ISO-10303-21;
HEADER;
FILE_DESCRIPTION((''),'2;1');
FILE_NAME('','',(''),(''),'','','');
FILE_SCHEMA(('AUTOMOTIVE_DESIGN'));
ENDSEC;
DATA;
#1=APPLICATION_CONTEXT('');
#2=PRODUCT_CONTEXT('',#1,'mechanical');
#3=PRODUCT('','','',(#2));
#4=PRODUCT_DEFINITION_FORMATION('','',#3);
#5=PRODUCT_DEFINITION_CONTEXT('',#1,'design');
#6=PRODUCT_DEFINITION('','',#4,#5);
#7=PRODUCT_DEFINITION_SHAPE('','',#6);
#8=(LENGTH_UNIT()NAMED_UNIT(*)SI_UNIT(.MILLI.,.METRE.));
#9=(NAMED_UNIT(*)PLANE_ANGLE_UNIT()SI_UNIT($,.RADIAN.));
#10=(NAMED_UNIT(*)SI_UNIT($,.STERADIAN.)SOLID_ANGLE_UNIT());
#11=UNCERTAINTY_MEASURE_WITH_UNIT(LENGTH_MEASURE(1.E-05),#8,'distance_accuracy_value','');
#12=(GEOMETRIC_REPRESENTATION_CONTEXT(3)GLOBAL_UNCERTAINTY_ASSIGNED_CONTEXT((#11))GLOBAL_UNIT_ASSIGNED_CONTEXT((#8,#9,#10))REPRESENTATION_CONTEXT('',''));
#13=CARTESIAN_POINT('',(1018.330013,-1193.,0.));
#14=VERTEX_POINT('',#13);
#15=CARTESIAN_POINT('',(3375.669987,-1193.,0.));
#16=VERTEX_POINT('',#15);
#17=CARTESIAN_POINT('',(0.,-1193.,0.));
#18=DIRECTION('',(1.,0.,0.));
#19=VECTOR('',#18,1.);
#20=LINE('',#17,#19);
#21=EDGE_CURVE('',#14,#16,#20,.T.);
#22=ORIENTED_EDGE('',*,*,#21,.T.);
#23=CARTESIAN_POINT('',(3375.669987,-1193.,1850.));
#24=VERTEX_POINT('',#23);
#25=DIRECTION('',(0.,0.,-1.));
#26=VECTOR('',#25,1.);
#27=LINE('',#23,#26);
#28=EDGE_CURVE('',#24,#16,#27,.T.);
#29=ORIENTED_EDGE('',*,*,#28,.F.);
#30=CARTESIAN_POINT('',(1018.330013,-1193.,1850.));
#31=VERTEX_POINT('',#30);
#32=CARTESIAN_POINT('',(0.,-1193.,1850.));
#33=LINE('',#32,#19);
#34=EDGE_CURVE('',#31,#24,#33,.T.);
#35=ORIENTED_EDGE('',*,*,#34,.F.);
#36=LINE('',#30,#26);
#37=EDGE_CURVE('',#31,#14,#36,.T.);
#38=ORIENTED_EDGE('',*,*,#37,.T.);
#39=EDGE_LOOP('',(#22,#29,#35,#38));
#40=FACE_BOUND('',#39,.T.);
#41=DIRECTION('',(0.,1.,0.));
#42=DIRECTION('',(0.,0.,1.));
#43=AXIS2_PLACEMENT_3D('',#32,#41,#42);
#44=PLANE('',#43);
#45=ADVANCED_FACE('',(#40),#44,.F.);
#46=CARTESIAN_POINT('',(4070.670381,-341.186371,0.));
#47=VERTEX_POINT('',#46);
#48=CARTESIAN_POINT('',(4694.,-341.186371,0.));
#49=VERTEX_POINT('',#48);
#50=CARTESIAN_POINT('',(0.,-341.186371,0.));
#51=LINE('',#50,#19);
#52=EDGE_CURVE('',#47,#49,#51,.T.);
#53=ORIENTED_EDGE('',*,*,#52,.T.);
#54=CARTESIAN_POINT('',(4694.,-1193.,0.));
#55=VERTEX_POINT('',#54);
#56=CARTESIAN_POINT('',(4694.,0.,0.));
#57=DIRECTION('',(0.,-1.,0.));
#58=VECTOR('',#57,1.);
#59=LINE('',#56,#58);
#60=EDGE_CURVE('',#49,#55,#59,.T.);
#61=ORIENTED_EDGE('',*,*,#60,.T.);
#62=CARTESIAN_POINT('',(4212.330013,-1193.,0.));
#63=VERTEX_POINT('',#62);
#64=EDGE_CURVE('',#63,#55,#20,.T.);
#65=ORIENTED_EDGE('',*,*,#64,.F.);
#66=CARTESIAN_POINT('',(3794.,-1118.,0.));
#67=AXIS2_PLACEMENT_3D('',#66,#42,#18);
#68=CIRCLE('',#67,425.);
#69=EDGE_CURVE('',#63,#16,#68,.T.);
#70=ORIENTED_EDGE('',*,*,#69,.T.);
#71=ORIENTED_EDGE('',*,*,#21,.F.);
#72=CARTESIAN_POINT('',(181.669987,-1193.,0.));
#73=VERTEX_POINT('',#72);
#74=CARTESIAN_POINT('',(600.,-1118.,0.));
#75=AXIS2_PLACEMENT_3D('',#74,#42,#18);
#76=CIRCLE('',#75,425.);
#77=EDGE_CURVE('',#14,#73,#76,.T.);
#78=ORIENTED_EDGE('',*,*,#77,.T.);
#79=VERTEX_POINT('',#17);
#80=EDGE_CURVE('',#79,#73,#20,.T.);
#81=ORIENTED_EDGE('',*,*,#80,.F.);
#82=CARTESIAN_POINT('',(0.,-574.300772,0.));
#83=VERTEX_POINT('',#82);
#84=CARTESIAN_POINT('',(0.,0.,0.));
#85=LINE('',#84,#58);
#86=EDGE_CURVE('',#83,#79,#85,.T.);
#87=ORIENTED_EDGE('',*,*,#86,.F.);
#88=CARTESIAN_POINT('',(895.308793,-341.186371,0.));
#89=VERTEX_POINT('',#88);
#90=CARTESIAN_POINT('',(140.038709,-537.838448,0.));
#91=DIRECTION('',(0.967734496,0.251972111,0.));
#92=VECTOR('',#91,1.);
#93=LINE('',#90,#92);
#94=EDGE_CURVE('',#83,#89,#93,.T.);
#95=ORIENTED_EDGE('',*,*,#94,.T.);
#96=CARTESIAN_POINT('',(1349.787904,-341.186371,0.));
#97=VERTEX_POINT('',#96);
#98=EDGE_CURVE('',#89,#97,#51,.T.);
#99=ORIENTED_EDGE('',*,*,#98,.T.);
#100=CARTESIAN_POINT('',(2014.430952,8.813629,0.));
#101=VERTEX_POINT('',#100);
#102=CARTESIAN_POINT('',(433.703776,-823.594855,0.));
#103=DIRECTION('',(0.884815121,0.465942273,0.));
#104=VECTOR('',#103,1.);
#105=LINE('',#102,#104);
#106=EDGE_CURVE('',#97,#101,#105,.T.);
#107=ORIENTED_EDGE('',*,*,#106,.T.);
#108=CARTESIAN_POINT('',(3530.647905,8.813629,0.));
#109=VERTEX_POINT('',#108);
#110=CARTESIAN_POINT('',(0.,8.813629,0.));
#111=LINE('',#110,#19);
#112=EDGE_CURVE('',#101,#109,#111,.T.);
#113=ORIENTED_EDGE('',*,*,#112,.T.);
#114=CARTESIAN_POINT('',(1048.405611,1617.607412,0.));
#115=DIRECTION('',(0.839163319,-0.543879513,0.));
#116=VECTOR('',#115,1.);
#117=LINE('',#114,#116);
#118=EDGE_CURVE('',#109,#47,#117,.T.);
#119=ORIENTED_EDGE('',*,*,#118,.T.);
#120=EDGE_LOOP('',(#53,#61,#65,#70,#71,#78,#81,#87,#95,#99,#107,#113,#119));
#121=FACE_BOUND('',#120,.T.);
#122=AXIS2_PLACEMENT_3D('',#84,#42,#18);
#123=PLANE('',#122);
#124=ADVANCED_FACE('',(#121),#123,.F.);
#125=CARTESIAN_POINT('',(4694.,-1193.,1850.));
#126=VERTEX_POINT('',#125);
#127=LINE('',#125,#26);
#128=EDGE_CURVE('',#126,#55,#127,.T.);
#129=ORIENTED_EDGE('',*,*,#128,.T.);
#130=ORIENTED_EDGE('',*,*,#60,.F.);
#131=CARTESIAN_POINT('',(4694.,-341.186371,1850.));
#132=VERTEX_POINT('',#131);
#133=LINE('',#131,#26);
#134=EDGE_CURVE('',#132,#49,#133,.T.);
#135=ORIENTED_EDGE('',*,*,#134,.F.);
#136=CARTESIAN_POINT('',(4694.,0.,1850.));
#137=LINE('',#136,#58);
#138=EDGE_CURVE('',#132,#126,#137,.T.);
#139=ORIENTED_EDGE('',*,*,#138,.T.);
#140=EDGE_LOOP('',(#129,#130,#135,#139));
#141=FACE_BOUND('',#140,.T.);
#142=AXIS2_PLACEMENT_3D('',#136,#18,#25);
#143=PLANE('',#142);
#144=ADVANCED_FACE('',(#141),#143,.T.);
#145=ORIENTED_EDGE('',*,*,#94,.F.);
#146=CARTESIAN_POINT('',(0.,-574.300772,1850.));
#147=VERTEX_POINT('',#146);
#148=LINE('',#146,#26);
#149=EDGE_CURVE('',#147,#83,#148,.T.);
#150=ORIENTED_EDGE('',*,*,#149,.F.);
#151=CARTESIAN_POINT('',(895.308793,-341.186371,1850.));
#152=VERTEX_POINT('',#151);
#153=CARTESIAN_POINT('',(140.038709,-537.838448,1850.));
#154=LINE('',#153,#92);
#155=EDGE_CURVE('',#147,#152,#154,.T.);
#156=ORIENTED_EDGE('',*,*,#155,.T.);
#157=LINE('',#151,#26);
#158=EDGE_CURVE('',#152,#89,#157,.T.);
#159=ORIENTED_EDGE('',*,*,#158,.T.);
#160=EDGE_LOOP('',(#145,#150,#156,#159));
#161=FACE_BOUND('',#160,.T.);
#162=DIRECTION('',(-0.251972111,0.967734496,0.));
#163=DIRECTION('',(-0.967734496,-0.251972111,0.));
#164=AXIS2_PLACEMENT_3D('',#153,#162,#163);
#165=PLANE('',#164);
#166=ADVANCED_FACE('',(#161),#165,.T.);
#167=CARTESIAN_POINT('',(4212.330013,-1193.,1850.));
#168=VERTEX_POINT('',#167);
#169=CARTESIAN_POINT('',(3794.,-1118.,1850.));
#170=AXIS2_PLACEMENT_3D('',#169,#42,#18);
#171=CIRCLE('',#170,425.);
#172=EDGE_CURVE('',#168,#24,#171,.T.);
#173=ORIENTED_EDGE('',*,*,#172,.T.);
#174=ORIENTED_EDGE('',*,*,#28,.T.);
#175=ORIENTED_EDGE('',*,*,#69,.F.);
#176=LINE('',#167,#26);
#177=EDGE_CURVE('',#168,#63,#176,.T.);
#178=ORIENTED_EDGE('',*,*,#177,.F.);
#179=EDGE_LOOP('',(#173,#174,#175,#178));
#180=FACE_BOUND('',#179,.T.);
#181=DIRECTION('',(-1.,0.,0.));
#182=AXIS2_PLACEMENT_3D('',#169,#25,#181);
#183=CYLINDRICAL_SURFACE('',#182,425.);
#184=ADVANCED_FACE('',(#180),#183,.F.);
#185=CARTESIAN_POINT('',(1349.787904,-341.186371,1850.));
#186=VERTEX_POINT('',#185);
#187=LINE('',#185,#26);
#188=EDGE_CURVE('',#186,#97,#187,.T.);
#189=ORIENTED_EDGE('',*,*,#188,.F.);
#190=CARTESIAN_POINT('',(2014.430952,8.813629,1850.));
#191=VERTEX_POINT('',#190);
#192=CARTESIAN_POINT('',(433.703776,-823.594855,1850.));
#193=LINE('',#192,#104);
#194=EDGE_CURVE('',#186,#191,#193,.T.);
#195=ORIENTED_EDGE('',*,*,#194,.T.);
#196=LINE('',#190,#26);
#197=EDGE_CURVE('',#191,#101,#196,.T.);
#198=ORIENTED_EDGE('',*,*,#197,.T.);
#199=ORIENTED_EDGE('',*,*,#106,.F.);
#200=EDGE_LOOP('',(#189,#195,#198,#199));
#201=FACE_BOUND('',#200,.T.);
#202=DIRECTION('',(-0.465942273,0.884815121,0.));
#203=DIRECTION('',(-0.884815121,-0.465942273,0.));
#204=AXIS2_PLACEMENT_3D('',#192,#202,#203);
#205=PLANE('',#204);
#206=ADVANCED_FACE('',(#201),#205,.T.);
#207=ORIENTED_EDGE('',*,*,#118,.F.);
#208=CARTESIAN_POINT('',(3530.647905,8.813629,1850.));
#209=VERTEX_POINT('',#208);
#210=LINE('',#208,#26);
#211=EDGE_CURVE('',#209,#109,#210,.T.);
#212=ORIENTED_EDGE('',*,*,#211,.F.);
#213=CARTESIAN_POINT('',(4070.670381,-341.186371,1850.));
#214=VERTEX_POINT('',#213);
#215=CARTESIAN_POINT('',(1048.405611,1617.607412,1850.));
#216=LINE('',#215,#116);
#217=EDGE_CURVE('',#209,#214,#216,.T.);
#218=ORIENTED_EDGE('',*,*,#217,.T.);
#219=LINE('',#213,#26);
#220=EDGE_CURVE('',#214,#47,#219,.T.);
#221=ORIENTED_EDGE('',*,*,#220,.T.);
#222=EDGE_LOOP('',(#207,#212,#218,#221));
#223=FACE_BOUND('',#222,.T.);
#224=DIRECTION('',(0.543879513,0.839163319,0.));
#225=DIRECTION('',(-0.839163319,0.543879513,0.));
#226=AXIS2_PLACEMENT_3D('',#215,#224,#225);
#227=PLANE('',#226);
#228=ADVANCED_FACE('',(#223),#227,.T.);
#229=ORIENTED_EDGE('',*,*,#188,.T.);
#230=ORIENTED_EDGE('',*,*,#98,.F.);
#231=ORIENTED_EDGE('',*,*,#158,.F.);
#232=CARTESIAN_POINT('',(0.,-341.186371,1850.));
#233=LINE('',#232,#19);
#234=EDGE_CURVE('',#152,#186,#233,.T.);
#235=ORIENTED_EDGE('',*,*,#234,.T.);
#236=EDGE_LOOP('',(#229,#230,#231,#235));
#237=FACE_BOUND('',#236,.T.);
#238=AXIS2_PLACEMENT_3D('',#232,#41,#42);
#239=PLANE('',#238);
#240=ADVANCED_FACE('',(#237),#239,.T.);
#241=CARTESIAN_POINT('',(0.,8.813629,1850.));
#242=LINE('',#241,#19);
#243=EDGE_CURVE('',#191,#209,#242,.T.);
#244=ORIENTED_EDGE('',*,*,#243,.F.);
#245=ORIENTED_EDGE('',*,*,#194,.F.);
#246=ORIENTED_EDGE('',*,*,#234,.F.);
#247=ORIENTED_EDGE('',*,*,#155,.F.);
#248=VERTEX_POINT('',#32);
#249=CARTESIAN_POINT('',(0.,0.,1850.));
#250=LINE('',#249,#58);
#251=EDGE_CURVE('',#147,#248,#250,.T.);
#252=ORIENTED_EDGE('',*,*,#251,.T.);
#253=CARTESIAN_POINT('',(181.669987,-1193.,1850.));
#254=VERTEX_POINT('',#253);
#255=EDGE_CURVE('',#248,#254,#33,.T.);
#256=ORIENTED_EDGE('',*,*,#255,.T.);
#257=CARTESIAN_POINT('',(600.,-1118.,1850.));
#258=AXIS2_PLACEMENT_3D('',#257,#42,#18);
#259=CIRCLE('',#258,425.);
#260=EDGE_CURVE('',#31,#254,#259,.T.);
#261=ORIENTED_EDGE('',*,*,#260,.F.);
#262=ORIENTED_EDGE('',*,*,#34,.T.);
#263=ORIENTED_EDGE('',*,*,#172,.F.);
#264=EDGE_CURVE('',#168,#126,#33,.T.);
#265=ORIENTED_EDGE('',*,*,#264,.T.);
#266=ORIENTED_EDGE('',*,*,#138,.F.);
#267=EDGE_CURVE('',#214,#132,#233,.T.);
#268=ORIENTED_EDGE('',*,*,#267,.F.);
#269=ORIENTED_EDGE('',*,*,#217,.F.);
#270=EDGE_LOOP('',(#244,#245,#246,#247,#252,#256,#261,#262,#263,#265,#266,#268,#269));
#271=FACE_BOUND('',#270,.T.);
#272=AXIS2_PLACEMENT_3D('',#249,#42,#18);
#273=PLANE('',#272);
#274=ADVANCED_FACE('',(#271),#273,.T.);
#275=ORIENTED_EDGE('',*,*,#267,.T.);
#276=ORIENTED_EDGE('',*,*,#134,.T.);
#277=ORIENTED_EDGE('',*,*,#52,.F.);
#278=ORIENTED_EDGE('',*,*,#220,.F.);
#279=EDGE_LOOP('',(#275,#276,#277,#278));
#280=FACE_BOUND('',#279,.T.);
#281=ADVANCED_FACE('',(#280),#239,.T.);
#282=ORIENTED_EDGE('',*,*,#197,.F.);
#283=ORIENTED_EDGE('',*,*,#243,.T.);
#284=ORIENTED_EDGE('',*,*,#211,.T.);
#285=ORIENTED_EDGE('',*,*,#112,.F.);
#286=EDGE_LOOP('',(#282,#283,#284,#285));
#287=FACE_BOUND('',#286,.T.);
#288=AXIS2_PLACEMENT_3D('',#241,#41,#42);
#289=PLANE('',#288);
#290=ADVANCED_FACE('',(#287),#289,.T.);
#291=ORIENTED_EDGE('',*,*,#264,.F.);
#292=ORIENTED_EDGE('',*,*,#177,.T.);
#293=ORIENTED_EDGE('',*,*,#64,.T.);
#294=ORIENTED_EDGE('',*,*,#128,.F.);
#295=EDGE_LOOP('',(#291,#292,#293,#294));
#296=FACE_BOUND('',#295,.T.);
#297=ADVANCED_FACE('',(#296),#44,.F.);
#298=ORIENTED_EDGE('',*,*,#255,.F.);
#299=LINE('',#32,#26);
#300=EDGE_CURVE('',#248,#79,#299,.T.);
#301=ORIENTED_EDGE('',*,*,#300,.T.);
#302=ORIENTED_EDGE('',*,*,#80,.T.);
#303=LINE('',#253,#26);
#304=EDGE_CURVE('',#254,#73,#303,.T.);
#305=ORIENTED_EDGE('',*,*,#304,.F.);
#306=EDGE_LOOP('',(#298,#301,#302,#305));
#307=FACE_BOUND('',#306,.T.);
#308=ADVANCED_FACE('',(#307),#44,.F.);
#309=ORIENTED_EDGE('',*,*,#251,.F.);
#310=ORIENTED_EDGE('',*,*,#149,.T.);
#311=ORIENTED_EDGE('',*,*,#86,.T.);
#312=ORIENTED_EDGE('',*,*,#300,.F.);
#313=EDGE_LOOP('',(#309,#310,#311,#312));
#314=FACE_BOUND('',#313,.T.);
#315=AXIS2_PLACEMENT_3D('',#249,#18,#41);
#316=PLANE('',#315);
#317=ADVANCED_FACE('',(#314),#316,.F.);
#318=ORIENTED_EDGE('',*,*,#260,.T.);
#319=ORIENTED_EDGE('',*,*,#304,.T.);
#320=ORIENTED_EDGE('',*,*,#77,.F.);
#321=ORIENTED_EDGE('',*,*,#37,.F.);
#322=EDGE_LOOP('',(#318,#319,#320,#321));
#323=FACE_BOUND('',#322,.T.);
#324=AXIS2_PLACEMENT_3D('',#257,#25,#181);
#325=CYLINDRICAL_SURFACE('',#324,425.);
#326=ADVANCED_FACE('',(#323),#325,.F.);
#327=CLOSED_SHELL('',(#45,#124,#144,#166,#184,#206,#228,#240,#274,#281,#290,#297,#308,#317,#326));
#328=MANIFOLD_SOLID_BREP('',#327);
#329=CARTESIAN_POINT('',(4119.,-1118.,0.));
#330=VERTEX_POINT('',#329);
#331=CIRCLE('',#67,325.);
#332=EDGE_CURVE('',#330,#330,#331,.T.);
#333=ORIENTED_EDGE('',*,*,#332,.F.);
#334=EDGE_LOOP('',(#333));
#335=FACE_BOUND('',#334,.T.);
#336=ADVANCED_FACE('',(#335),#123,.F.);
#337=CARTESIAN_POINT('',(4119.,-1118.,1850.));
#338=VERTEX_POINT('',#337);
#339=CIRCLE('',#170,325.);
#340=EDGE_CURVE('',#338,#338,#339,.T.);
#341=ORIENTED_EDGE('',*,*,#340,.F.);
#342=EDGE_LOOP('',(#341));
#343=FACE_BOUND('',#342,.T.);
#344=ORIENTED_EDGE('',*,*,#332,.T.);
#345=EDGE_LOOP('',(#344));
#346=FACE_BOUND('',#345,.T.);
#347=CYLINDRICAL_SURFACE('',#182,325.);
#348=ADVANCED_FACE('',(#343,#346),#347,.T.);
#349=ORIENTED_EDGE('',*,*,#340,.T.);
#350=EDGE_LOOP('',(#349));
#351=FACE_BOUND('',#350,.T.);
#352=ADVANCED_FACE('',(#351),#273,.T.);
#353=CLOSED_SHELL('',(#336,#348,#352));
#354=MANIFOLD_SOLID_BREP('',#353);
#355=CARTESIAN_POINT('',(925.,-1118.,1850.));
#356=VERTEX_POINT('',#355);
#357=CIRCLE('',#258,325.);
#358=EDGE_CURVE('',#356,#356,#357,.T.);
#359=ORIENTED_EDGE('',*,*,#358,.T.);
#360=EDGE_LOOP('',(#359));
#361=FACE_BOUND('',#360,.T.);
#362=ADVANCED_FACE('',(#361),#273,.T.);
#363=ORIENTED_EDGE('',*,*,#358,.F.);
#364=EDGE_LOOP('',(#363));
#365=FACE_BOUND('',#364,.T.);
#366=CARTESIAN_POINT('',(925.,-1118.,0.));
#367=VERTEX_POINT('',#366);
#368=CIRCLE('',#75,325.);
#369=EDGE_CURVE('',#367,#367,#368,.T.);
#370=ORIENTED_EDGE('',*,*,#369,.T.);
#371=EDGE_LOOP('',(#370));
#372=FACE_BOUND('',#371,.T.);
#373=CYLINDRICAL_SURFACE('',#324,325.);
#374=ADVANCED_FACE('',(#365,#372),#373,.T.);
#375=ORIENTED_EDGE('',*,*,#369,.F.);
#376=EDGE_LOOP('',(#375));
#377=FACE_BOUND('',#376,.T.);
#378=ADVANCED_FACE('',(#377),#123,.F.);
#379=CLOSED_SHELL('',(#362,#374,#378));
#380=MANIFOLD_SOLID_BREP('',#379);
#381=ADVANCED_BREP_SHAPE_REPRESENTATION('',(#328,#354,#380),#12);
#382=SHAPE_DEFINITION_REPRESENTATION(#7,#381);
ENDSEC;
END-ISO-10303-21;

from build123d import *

# Parameters (mm, degrees)
BOSS_EXTRUDE1_DEPTH   = 1850
SKETCH1_R             = 325
BOSS_EXTRUDE1_2_DEPTH = 1850
BOSS_EXTRUDE1_3_DEPTH = 1850


with BuildPart() as part:
    # Sketch1 → Boss-Extrude1 (new body)
    with BuildSketch(Plane.XY):
        with BuildLine():
            ThreePointArc((4212.330013267, -1193), (3794, -693), (3375.669986733, -1193))
            Line((3375.669986733, -1193), (1018.330013267, -1193))
            ThreePointArc((1018.330013267, -1193), (600, -693), (181.669986733, -1193))
            Line((181.669986733, -1193), (0, -1193))
            Line((0, -1193), (0, -574.300771888))
            Line((0, -574.300771888), (895.308793073, -341.186371335))
            Line((895.308793073, -341.186371335), (1349.787903831, -341.186371335))
            Line((1349.787903831, -341.186371335), (2014.430951703, 8.813628665))
            Line((2014.430951703, 8.813628665), (3530.647904664, 8.813628665))
            Line((3530.647904664, 8.813628665), (4070.67038106, -341.186371335))
            Line((4070.67038106, -341.186371335), (4694, -341.186371335))
            Line((4694, -341.186371335), (4694, -1193))
            Line((4694, -1193), (4212.330013267, -1193))
        make_face()
    extrude(amount=BOSS_EXTRUDE1_DEPTH)


with BuildPart() as body_2:
    # Sketch1 → Boss-Extrude1 2 (new body)
    with BuildSketch(Plane.XY):
        with Locations((600, -1118)):
            Circle(SKETCH1_R)
    extrude(amount=BOSS_EXTRUDE1_2_DEPTH)


with BuildPart() as body_3:
    # Sketch1 → Boss-Extrude1 3 (new body)
    with BuildSketch(Plane.XY):
        with Locations((3794, -1118)):
            Circle(SKETCH1_R)
    extrude(amount=BOSS_EXTRUDE1_3_DEPTH)


solid = Compound([part.part, body_2.part, body_3.part])
